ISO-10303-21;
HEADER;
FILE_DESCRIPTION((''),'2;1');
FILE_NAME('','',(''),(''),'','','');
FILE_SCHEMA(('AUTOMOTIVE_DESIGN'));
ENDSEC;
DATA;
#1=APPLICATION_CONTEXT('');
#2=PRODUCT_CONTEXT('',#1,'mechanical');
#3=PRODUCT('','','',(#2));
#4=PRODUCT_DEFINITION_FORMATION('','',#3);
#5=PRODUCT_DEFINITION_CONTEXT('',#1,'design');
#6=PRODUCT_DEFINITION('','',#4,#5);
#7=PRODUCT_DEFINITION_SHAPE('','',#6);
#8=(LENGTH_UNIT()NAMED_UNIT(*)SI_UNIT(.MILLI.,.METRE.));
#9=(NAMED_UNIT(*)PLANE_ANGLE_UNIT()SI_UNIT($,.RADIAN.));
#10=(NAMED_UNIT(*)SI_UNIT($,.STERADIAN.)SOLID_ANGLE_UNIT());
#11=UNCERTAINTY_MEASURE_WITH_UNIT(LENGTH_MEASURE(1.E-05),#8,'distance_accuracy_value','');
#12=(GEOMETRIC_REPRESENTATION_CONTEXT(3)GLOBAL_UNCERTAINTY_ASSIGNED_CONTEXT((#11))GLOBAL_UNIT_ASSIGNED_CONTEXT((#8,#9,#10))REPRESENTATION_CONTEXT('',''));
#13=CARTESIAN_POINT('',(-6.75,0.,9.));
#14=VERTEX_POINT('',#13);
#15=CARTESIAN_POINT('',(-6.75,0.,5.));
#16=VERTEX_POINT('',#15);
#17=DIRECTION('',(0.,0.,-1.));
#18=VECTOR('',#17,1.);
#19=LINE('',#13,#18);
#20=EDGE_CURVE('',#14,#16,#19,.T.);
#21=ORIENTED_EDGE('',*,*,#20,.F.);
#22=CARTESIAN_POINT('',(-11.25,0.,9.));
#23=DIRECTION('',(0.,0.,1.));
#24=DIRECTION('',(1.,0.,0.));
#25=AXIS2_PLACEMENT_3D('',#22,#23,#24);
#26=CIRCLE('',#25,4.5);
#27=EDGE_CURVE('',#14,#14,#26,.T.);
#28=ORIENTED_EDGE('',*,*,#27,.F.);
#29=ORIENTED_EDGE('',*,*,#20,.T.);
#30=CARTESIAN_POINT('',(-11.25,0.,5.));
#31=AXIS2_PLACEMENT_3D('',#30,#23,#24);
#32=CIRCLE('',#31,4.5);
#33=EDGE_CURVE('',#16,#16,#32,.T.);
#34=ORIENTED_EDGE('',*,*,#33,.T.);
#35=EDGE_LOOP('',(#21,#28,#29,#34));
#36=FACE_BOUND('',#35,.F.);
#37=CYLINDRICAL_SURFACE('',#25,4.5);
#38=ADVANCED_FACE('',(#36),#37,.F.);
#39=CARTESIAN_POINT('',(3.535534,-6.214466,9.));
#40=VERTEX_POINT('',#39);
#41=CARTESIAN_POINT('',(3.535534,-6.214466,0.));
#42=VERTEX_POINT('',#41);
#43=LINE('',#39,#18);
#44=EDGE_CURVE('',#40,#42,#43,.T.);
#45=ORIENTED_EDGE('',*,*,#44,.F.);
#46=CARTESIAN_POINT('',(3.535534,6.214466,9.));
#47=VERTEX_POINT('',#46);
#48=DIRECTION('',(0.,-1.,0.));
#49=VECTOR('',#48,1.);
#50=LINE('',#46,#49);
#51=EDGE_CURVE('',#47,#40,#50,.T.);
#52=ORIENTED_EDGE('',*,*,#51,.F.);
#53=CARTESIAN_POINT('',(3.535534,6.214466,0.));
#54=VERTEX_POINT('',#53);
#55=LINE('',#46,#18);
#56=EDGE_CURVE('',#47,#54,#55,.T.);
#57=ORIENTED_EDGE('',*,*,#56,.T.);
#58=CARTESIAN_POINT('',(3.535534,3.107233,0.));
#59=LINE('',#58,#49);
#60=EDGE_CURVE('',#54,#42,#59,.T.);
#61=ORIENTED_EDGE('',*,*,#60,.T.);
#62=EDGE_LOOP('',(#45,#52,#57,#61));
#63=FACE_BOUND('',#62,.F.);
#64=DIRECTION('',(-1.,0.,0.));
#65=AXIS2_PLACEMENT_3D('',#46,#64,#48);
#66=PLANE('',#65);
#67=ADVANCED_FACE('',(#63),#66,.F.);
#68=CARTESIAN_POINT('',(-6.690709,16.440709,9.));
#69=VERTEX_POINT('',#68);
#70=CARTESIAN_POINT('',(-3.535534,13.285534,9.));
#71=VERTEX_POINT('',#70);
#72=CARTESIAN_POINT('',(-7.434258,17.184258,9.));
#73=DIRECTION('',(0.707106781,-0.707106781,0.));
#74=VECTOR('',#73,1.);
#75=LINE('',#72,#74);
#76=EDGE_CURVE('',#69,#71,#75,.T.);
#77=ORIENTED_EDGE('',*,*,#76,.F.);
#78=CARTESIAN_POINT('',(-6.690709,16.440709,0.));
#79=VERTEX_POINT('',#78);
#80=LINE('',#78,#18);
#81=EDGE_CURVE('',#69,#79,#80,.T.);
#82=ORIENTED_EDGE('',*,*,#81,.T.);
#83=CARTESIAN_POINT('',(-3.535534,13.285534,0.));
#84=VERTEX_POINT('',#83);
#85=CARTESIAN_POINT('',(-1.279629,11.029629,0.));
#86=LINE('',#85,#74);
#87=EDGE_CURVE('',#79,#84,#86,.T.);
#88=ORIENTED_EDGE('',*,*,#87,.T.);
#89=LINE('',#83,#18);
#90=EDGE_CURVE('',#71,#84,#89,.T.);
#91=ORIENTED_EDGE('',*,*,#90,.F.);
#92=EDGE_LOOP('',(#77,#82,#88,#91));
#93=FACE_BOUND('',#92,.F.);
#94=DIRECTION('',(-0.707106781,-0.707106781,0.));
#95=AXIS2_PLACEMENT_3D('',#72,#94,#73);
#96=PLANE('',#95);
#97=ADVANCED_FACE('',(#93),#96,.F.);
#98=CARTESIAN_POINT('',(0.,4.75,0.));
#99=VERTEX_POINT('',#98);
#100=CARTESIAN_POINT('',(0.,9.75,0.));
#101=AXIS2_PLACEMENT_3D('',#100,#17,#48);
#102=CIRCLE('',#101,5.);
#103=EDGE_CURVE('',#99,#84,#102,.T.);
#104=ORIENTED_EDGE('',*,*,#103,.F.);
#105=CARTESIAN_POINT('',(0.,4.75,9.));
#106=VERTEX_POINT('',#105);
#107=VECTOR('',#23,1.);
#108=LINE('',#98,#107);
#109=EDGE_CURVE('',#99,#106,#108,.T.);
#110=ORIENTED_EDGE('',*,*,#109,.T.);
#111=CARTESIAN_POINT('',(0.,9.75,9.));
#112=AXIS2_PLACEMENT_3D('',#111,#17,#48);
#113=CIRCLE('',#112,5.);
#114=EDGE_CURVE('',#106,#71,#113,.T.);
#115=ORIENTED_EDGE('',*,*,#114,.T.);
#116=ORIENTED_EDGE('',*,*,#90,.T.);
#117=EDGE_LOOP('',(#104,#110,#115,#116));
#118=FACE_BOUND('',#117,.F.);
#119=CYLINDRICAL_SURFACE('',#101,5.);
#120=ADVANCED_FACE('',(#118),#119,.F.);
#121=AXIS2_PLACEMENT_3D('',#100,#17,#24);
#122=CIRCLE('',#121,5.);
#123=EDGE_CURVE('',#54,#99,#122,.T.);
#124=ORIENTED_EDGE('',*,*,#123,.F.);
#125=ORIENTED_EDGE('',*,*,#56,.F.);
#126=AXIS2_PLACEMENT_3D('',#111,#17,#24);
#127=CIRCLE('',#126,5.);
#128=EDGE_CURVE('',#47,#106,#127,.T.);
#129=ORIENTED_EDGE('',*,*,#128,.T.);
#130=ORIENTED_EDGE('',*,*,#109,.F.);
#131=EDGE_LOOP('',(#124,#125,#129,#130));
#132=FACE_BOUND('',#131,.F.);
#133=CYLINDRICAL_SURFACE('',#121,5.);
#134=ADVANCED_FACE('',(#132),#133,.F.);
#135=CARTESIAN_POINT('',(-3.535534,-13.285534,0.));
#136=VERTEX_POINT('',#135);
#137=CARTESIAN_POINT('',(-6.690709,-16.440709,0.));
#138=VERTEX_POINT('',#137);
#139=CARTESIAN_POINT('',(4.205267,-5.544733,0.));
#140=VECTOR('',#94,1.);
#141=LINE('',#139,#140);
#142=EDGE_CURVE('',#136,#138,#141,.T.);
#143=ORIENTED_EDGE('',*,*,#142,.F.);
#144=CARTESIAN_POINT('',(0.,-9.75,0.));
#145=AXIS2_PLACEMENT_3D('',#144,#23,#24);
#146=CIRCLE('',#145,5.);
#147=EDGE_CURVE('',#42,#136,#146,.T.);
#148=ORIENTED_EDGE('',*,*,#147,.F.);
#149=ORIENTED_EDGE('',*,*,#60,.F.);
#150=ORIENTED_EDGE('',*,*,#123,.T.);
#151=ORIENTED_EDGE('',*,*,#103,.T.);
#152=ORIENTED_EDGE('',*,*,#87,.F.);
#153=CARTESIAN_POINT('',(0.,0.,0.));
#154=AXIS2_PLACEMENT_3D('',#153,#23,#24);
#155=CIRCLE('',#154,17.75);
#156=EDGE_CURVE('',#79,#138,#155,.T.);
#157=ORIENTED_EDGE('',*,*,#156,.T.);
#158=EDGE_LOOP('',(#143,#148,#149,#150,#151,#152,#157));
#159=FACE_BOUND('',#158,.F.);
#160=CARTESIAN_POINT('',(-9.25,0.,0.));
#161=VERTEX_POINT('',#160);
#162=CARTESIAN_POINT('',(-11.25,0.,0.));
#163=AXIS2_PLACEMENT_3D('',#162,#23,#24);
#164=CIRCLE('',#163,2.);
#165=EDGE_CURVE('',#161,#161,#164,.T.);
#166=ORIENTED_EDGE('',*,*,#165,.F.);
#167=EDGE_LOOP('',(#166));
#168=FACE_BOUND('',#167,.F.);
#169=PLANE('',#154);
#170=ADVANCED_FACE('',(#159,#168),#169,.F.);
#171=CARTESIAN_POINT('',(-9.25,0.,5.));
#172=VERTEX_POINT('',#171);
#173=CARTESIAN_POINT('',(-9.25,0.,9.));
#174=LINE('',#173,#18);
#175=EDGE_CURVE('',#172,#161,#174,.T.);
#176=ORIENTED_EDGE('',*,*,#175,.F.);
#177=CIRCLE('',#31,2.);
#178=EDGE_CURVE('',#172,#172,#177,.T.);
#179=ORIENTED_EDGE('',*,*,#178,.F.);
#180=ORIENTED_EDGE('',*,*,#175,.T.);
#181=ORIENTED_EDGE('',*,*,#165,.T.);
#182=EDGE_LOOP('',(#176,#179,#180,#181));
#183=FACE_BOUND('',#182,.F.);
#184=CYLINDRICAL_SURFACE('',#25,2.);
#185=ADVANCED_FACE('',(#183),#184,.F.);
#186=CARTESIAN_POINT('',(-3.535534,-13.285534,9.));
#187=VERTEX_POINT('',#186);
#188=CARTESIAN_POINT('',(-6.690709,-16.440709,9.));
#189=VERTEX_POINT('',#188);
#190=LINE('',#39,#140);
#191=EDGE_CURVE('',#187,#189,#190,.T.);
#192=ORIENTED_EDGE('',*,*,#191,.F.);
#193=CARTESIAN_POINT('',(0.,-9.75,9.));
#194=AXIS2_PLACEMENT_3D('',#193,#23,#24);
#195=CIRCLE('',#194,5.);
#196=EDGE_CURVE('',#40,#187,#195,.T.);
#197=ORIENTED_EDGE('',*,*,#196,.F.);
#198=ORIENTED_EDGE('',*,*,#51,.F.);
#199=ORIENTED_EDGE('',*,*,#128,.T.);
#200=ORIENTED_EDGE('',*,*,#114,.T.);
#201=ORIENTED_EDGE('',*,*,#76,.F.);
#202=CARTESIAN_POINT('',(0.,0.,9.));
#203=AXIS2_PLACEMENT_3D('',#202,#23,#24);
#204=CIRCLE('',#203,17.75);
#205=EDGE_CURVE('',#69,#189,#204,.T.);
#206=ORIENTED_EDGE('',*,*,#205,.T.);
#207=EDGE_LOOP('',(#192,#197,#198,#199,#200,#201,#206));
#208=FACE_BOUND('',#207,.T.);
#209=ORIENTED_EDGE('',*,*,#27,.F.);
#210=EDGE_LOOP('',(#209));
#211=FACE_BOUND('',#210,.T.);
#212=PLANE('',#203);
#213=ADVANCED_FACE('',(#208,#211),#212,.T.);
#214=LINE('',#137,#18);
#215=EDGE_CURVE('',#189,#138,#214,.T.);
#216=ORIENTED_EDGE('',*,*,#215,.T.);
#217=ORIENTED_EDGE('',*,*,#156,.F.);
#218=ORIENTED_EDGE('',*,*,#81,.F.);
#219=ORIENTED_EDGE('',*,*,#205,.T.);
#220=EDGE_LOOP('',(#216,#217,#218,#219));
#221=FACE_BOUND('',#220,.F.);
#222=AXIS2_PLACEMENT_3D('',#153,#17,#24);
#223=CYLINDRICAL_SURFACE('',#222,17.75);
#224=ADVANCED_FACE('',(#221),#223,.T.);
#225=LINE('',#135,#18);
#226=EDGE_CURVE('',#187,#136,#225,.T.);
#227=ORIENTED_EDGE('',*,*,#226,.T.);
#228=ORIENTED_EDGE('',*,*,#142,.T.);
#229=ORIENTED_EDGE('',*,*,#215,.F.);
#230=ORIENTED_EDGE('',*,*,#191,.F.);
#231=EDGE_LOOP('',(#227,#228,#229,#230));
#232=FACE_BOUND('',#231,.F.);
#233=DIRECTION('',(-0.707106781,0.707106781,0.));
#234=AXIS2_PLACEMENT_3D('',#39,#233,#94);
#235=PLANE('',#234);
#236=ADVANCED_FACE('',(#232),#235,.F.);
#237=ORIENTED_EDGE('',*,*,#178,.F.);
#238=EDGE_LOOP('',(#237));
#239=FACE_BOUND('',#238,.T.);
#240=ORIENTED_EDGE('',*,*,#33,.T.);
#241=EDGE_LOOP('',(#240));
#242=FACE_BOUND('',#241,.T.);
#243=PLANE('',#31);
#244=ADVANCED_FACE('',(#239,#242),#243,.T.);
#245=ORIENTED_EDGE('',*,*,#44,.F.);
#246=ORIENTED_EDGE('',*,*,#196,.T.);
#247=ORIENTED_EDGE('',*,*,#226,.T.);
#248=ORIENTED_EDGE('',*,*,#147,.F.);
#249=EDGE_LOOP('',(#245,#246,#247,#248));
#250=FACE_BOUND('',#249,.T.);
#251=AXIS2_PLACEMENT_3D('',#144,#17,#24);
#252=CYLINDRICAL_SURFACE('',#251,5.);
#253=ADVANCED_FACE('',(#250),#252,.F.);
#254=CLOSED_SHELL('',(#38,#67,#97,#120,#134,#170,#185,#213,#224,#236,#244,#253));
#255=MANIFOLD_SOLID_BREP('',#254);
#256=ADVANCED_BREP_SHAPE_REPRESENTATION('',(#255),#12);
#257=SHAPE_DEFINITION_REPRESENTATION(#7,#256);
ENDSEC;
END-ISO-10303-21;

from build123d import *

# Parameters (mm, degrees)
F1_R      = 17.75
F1_R_2    = 5
F2_DEPTH  = 9
F3_R      = 2
F4_DEPTH  = 25
F5_R      = 4.5
F6_DEPTH  = 4
F7_R      = 4.9962350467
F8_DEPTH  = 9
F10_DEPTH = 25
F12_DEPTH = 25


with BuildPart() as f2:
    # F1 (on Top) → F2 (new body)
    with BuildSketch(Plane.XY):
        Circle(F1_R)
        with Locations((0, -9.75)):
            Circle(F1_R_2, mode=Mode.SUBTRACT)
        with BuildLine():
            ThreePointArc((0, 4.75), (-3.5355339059, 13.2855339059), (5, 9.75))
            ThreePointArc((5, 9.75), (3.5355339059, 6.2144660941), (0, 4.75))
        make_face(mode=Mode.SUBTRACT)
    extrude(amount=F2_DEPTH)

    # F3 (on face) → F4 (cut)
    with BuildSketch(Plane.XY.offset(9)):
        with BuildLine():
            ThreePointArc((9.25, 0), (11.25, -2), (13.25, 0))
            ThreePointArc((13.25, 0), (11.25, 2), (9.25, 0))
        make_face()
        with Locations((-11.25, 0)):
            Circle(F3_R)
    extrude(amount=-F4_DEPTH, mode=Mode.SUBTRACT)

    # F5 (on face) → F6 (cut)
    with BuildSketch(Plane.XY.offset(9)):
        with Locations((11.25, 0)):
            Circle(F5_R)
        with Locations((-11.25, 0)):
            Circle(F5_R)
    extrude(amount=-F6_DEPTH, mode=Mode.SUBTRACT)

    # F7 (on face) → F8 (join)
    with BuildSketch(Plane.XY.offset(9)):
        with Locations((11.25, 0)):
            Circle(F7_R)
    extrude(amount=-F8_DEPTH)

    # F9 (on face) → F10 (cut)
    with BuildSketch(Plane.XY.offset(9)):
        with BuildLine():
            ThreePointArc((8.35, 0), (9.5, -1.15), (10.65, 0))
            ThreePointArc((10.65, 0), (9.5, 1.15), (8.35, 0))
        make_face()
    extrude(amount=-F10_DEPTH, mode=Mode.SUBTRACT)

    # F11 (on face) → F12 (cut)
    with BuildSketch(Plane.XY.offset(9)):
        with BuildLine():
            Line((-7.4342581112, 17.1842581112), (0, 9.75))
            Line((0, 9.75), (3.5355339059, 6.2144660941))
            Line((3.5355339059, 6.2144660941), (3.5355339059, -6.2144660941))
            Line((3.5355339059, -6.2144660941), (0, -9.75))
            Line((0, -9.75), (-7.4342581112, -17.1842581112))
            ThreePointArc((-7.4342581112, -17.1842581112), (18.7234323909, 0), (-7.4342581112, 17.1842581112))
        make_face()
    extrude(amount=-F12_DEPTH, mode=Mode.SUBTRACT)


solid = f2.part
